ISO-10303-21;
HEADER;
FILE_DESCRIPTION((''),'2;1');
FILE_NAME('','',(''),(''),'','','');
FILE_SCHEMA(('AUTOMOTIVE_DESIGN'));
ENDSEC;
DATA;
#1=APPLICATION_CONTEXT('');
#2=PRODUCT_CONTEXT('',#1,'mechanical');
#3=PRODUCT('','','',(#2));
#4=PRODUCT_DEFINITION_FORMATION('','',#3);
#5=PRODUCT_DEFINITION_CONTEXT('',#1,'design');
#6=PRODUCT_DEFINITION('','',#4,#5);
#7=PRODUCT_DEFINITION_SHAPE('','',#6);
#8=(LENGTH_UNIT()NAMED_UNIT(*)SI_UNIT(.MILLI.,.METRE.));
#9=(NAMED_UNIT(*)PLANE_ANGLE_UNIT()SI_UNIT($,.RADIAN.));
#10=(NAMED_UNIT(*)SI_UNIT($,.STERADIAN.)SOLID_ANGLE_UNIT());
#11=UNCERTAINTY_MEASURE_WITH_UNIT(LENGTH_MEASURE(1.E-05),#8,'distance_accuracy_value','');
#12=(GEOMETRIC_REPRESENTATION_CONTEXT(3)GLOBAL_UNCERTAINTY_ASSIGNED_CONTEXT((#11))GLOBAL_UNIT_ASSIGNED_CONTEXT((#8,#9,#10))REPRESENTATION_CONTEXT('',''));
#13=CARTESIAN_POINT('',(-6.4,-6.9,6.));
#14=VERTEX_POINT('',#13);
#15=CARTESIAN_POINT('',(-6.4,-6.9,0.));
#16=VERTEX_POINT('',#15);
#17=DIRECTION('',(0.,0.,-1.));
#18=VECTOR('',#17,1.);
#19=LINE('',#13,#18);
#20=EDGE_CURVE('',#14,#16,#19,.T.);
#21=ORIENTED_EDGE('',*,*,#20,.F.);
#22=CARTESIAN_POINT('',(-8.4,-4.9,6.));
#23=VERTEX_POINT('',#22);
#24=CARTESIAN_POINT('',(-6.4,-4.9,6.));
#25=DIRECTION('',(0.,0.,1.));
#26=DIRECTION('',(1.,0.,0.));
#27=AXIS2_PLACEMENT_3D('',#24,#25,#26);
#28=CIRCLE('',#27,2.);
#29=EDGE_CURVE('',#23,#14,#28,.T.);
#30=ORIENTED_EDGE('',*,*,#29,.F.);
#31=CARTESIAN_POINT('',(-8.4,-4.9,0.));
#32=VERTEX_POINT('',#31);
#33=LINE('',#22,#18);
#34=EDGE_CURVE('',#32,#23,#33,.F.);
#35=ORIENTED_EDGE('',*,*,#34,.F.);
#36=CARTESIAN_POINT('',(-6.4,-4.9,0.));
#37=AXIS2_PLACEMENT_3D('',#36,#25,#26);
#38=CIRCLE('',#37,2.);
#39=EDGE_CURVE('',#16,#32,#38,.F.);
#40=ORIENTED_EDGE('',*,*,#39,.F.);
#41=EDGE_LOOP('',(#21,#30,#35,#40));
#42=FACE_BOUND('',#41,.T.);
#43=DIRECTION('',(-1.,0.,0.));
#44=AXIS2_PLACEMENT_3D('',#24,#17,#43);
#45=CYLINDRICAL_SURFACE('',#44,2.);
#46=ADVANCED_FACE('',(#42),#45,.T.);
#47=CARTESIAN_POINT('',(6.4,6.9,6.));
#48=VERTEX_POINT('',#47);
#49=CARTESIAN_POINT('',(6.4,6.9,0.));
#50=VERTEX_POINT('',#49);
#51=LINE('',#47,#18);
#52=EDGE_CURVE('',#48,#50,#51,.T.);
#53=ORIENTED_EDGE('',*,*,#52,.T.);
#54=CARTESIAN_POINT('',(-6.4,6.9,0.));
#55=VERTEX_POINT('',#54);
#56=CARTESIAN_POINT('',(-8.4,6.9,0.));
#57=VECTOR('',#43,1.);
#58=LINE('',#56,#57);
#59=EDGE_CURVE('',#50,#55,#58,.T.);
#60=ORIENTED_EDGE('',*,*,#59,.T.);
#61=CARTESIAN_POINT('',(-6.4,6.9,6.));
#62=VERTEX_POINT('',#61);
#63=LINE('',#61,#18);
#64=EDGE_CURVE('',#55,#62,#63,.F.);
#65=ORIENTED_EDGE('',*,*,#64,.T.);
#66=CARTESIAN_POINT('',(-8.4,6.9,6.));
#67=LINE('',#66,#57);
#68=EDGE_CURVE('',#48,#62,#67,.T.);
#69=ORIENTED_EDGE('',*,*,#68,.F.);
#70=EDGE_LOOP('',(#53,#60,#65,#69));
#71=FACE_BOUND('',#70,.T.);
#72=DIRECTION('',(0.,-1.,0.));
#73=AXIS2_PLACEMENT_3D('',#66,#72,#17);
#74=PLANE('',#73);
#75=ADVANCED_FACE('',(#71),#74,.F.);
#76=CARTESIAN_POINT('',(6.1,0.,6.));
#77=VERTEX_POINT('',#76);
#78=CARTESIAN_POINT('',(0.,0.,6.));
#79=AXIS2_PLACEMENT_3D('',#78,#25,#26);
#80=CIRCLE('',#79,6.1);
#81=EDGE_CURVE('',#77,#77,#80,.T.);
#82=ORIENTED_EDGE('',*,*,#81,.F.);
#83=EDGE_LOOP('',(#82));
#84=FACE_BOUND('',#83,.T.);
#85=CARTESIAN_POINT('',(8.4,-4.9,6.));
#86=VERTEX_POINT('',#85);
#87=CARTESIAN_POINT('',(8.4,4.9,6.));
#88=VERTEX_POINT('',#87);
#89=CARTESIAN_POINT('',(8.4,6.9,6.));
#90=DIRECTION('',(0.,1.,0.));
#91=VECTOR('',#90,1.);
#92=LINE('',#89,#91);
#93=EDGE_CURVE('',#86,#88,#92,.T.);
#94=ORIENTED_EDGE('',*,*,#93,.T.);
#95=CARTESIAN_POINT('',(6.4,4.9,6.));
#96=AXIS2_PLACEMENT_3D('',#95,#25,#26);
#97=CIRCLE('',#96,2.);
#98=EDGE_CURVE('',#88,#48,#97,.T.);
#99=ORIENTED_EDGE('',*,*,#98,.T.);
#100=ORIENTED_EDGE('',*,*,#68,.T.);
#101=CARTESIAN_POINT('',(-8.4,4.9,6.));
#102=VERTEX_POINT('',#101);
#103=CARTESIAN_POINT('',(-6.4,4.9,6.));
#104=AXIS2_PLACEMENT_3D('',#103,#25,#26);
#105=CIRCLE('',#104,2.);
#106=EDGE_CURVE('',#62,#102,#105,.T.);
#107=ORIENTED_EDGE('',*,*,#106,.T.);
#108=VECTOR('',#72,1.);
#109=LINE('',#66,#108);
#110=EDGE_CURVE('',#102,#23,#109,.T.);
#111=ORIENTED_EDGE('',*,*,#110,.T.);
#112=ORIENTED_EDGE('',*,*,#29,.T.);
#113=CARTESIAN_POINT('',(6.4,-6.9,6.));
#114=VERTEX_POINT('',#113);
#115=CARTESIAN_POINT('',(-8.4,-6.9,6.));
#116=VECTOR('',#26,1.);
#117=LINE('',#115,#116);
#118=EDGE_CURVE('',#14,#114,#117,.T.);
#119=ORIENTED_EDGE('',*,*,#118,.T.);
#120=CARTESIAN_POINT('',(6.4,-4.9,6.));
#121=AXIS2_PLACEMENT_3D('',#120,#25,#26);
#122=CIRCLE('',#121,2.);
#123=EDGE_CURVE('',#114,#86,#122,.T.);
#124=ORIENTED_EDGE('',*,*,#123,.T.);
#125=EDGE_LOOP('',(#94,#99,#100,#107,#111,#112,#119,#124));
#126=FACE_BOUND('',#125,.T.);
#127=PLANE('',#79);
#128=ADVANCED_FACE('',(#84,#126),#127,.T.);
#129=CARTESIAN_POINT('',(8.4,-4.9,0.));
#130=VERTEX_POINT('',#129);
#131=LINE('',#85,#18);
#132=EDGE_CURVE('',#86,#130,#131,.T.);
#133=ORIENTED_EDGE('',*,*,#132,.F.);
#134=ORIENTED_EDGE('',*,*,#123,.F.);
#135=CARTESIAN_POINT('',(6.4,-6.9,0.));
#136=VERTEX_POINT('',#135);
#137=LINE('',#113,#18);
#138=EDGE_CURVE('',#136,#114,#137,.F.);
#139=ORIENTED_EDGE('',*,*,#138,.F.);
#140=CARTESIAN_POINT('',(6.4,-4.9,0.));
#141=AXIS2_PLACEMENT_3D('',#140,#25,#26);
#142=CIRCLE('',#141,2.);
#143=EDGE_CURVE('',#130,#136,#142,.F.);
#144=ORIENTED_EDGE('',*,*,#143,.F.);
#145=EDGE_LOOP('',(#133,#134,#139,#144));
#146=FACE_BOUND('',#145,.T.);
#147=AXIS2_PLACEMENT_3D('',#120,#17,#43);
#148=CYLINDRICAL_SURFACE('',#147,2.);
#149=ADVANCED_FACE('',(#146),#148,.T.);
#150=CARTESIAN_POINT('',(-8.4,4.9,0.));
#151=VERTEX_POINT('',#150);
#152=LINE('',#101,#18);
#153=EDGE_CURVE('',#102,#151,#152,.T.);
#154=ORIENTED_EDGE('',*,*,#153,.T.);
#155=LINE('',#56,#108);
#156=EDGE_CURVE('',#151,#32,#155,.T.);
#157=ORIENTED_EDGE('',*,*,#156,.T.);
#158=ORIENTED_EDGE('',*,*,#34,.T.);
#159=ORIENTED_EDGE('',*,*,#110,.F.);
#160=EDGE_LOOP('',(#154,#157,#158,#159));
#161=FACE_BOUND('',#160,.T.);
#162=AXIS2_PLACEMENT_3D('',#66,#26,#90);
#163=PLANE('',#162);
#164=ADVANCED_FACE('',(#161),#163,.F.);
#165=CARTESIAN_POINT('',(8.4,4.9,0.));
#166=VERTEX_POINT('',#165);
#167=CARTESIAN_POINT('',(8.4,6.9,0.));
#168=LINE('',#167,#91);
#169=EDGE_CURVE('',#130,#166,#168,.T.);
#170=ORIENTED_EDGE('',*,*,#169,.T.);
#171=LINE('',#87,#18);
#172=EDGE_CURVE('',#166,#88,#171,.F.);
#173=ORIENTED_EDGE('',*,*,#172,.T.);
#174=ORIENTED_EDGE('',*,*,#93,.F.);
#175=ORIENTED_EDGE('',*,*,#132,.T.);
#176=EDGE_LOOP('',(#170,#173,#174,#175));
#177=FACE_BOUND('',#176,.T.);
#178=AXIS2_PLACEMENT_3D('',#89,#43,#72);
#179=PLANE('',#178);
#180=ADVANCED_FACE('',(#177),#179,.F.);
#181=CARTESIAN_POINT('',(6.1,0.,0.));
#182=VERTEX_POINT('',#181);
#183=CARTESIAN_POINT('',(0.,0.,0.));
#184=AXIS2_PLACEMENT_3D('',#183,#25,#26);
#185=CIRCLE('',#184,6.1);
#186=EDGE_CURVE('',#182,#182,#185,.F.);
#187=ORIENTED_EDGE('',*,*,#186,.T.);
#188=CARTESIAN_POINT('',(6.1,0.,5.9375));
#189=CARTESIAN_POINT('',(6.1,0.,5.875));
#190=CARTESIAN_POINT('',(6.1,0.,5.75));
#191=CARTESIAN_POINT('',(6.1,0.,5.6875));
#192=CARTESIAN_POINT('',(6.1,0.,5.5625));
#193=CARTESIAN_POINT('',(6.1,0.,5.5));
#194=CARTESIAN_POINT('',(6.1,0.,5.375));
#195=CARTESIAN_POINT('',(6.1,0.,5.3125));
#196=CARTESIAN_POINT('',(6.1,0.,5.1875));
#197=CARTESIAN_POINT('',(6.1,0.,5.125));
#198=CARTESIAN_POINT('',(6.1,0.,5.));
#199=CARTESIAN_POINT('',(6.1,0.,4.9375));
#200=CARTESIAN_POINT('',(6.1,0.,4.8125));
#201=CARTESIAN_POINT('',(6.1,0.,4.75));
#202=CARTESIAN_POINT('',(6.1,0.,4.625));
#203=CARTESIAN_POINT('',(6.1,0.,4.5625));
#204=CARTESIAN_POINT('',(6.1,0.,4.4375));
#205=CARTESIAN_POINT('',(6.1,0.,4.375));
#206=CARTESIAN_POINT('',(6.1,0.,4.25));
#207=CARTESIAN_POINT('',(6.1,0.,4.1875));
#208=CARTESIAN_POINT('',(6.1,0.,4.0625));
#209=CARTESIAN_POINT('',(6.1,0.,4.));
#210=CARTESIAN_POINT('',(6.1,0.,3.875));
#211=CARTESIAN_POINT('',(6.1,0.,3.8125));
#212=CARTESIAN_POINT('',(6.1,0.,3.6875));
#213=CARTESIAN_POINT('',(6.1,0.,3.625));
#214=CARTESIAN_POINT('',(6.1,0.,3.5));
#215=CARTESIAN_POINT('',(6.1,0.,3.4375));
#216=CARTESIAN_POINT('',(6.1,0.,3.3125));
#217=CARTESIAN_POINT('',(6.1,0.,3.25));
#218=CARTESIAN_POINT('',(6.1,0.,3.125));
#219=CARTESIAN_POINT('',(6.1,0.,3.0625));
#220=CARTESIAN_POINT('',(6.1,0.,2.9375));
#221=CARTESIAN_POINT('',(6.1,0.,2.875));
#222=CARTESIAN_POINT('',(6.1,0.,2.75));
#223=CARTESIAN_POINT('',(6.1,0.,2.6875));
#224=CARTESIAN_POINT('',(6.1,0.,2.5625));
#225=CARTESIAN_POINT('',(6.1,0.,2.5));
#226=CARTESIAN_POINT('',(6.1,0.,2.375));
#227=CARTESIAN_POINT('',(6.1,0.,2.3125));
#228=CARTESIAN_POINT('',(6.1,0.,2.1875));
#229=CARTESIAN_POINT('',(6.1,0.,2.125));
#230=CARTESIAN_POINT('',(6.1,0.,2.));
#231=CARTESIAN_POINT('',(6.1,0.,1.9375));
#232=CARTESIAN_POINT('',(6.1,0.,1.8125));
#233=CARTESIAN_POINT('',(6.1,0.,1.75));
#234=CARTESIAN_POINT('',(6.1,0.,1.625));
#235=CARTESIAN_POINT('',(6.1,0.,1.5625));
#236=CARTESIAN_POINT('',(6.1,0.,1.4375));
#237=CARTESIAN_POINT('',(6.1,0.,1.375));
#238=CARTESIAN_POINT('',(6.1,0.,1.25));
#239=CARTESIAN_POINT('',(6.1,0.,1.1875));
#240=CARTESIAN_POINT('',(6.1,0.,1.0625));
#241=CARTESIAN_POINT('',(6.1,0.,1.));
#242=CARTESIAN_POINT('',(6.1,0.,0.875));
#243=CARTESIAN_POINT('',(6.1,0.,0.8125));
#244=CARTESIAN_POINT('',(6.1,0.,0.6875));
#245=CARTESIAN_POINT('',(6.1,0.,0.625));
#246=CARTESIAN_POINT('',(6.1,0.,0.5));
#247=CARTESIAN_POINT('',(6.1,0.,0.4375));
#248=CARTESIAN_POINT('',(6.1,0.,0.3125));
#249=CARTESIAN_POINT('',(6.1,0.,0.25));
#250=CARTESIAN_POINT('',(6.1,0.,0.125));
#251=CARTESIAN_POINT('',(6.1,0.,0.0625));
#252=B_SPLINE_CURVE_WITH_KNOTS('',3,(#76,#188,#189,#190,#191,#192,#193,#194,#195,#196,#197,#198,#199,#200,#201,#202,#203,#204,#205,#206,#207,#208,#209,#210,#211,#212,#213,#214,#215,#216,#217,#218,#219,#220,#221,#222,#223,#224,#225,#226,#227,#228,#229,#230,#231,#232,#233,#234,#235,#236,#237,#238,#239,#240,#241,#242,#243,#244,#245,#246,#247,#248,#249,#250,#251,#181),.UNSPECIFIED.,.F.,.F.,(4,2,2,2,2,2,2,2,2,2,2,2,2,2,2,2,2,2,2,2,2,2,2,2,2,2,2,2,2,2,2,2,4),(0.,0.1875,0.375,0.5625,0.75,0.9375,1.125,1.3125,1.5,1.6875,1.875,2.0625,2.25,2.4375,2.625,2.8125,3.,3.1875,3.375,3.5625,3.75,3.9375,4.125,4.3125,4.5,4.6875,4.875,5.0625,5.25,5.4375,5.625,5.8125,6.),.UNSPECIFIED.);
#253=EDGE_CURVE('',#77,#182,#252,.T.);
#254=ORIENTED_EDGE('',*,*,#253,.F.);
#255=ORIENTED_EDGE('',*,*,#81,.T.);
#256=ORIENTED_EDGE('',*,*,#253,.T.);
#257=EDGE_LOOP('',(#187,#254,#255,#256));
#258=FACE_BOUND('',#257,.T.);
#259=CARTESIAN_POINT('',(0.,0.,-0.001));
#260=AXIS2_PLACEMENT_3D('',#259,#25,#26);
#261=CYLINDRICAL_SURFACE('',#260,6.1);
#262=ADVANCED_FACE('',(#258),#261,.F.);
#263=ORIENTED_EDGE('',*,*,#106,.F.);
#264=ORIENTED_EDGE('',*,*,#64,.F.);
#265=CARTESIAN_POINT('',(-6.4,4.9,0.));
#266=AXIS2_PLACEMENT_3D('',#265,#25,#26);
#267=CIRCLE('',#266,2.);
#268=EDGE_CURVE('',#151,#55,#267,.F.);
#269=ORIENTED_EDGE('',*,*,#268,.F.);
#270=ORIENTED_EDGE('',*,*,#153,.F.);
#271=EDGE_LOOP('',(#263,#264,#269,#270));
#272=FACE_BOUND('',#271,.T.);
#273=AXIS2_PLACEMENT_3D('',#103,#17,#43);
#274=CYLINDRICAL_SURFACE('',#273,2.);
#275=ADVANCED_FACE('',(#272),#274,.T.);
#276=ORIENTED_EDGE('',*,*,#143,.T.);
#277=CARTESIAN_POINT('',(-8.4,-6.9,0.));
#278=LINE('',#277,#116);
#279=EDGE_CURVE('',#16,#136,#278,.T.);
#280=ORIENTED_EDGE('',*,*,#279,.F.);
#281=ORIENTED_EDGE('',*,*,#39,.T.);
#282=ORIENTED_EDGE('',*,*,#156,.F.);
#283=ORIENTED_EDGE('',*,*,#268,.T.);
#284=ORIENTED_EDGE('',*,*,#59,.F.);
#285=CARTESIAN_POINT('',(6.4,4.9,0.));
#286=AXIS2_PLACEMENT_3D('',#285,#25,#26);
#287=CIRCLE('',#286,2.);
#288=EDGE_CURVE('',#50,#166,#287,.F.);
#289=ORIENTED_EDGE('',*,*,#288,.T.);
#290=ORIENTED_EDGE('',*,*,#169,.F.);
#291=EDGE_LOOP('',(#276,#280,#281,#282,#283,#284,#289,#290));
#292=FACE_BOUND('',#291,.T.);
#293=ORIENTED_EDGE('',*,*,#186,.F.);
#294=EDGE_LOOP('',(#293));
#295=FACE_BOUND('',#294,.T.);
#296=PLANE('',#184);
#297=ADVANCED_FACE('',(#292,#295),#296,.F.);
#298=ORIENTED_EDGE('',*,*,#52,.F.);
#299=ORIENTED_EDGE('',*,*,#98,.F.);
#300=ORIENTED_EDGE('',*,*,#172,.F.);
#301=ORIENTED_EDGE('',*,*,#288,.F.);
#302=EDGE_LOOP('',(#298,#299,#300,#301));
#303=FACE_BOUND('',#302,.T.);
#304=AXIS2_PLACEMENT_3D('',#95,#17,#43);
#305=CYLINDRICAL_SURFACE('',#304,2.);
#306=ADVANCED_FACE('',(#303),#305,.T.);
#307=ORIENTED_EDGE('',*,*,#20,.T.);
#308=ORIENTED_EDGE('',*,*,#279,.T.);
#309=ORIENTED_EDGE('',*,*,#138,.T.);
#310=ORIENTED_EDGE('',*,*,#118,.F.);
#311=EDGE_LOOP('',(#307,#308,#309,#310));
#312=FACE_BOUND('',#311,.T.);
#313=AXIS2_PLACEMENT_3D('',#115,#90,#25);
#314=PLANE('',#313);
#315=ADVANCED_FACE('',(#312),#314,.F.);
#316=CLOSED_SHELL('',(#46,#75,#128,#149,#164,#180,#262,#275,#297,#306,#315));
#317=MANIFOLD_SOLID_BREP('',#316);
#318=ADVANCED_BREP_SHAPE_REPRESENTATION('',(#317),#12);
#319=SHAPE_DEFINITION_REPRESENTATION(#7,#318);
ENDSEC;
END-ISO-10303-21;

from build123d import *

# Parameters (mm, degrees)
SKETCH1_W           = 16.8
SKETCH1_H           = 13.8
BOSS_EXTRUDE1_DEPTH = 6
CUT_EXTRUDE1_REACH  = 14.417
SKETCH2_R           = 6.1
FILLET1_R           = 2


with BuildPart() as part:
    # Sketch1 → Boss-Extrude1 (new body)
    with BuildSketch(Plane.XY):
        Rectangle(SKETCH1_W, SKETCH1_H)
    extrude(amount=BOSS_EXTRUDE1_DEPTH)

    # Sketch2 → Cut-Extrude1 (cut, up to next)
    with BuildSketch(Plane.XY.offset(6), mode=Mode.PRIVATE) as cut_extrude1_sk1:
        Circle(SKETCH2_R)
    cut_extrude1_tool1 = extrude(cut_extrude1_sk1.sketch, amount=-CUT_EXTRUDE1_REACH, mode=Mode.PRIVATE) & part.part
    add(cut_extrude1_tool1.solids().sort_by_distance((0, 0, 6))[0], mode=Mode.SUBTRACT)

    # Fillet1
    fillet1_edges = [part.edges().sort_by_distance(p)[0] for p in [
        (8.4, -6.9, 3),
        (-8.4, -6.9, 3),
        (-8.4, 6.9, 3),
        (8.4, 6.9, 3),
    ]]
    fillet(fillet1_edges, radius=FILLET1_R)


solid = part.part
